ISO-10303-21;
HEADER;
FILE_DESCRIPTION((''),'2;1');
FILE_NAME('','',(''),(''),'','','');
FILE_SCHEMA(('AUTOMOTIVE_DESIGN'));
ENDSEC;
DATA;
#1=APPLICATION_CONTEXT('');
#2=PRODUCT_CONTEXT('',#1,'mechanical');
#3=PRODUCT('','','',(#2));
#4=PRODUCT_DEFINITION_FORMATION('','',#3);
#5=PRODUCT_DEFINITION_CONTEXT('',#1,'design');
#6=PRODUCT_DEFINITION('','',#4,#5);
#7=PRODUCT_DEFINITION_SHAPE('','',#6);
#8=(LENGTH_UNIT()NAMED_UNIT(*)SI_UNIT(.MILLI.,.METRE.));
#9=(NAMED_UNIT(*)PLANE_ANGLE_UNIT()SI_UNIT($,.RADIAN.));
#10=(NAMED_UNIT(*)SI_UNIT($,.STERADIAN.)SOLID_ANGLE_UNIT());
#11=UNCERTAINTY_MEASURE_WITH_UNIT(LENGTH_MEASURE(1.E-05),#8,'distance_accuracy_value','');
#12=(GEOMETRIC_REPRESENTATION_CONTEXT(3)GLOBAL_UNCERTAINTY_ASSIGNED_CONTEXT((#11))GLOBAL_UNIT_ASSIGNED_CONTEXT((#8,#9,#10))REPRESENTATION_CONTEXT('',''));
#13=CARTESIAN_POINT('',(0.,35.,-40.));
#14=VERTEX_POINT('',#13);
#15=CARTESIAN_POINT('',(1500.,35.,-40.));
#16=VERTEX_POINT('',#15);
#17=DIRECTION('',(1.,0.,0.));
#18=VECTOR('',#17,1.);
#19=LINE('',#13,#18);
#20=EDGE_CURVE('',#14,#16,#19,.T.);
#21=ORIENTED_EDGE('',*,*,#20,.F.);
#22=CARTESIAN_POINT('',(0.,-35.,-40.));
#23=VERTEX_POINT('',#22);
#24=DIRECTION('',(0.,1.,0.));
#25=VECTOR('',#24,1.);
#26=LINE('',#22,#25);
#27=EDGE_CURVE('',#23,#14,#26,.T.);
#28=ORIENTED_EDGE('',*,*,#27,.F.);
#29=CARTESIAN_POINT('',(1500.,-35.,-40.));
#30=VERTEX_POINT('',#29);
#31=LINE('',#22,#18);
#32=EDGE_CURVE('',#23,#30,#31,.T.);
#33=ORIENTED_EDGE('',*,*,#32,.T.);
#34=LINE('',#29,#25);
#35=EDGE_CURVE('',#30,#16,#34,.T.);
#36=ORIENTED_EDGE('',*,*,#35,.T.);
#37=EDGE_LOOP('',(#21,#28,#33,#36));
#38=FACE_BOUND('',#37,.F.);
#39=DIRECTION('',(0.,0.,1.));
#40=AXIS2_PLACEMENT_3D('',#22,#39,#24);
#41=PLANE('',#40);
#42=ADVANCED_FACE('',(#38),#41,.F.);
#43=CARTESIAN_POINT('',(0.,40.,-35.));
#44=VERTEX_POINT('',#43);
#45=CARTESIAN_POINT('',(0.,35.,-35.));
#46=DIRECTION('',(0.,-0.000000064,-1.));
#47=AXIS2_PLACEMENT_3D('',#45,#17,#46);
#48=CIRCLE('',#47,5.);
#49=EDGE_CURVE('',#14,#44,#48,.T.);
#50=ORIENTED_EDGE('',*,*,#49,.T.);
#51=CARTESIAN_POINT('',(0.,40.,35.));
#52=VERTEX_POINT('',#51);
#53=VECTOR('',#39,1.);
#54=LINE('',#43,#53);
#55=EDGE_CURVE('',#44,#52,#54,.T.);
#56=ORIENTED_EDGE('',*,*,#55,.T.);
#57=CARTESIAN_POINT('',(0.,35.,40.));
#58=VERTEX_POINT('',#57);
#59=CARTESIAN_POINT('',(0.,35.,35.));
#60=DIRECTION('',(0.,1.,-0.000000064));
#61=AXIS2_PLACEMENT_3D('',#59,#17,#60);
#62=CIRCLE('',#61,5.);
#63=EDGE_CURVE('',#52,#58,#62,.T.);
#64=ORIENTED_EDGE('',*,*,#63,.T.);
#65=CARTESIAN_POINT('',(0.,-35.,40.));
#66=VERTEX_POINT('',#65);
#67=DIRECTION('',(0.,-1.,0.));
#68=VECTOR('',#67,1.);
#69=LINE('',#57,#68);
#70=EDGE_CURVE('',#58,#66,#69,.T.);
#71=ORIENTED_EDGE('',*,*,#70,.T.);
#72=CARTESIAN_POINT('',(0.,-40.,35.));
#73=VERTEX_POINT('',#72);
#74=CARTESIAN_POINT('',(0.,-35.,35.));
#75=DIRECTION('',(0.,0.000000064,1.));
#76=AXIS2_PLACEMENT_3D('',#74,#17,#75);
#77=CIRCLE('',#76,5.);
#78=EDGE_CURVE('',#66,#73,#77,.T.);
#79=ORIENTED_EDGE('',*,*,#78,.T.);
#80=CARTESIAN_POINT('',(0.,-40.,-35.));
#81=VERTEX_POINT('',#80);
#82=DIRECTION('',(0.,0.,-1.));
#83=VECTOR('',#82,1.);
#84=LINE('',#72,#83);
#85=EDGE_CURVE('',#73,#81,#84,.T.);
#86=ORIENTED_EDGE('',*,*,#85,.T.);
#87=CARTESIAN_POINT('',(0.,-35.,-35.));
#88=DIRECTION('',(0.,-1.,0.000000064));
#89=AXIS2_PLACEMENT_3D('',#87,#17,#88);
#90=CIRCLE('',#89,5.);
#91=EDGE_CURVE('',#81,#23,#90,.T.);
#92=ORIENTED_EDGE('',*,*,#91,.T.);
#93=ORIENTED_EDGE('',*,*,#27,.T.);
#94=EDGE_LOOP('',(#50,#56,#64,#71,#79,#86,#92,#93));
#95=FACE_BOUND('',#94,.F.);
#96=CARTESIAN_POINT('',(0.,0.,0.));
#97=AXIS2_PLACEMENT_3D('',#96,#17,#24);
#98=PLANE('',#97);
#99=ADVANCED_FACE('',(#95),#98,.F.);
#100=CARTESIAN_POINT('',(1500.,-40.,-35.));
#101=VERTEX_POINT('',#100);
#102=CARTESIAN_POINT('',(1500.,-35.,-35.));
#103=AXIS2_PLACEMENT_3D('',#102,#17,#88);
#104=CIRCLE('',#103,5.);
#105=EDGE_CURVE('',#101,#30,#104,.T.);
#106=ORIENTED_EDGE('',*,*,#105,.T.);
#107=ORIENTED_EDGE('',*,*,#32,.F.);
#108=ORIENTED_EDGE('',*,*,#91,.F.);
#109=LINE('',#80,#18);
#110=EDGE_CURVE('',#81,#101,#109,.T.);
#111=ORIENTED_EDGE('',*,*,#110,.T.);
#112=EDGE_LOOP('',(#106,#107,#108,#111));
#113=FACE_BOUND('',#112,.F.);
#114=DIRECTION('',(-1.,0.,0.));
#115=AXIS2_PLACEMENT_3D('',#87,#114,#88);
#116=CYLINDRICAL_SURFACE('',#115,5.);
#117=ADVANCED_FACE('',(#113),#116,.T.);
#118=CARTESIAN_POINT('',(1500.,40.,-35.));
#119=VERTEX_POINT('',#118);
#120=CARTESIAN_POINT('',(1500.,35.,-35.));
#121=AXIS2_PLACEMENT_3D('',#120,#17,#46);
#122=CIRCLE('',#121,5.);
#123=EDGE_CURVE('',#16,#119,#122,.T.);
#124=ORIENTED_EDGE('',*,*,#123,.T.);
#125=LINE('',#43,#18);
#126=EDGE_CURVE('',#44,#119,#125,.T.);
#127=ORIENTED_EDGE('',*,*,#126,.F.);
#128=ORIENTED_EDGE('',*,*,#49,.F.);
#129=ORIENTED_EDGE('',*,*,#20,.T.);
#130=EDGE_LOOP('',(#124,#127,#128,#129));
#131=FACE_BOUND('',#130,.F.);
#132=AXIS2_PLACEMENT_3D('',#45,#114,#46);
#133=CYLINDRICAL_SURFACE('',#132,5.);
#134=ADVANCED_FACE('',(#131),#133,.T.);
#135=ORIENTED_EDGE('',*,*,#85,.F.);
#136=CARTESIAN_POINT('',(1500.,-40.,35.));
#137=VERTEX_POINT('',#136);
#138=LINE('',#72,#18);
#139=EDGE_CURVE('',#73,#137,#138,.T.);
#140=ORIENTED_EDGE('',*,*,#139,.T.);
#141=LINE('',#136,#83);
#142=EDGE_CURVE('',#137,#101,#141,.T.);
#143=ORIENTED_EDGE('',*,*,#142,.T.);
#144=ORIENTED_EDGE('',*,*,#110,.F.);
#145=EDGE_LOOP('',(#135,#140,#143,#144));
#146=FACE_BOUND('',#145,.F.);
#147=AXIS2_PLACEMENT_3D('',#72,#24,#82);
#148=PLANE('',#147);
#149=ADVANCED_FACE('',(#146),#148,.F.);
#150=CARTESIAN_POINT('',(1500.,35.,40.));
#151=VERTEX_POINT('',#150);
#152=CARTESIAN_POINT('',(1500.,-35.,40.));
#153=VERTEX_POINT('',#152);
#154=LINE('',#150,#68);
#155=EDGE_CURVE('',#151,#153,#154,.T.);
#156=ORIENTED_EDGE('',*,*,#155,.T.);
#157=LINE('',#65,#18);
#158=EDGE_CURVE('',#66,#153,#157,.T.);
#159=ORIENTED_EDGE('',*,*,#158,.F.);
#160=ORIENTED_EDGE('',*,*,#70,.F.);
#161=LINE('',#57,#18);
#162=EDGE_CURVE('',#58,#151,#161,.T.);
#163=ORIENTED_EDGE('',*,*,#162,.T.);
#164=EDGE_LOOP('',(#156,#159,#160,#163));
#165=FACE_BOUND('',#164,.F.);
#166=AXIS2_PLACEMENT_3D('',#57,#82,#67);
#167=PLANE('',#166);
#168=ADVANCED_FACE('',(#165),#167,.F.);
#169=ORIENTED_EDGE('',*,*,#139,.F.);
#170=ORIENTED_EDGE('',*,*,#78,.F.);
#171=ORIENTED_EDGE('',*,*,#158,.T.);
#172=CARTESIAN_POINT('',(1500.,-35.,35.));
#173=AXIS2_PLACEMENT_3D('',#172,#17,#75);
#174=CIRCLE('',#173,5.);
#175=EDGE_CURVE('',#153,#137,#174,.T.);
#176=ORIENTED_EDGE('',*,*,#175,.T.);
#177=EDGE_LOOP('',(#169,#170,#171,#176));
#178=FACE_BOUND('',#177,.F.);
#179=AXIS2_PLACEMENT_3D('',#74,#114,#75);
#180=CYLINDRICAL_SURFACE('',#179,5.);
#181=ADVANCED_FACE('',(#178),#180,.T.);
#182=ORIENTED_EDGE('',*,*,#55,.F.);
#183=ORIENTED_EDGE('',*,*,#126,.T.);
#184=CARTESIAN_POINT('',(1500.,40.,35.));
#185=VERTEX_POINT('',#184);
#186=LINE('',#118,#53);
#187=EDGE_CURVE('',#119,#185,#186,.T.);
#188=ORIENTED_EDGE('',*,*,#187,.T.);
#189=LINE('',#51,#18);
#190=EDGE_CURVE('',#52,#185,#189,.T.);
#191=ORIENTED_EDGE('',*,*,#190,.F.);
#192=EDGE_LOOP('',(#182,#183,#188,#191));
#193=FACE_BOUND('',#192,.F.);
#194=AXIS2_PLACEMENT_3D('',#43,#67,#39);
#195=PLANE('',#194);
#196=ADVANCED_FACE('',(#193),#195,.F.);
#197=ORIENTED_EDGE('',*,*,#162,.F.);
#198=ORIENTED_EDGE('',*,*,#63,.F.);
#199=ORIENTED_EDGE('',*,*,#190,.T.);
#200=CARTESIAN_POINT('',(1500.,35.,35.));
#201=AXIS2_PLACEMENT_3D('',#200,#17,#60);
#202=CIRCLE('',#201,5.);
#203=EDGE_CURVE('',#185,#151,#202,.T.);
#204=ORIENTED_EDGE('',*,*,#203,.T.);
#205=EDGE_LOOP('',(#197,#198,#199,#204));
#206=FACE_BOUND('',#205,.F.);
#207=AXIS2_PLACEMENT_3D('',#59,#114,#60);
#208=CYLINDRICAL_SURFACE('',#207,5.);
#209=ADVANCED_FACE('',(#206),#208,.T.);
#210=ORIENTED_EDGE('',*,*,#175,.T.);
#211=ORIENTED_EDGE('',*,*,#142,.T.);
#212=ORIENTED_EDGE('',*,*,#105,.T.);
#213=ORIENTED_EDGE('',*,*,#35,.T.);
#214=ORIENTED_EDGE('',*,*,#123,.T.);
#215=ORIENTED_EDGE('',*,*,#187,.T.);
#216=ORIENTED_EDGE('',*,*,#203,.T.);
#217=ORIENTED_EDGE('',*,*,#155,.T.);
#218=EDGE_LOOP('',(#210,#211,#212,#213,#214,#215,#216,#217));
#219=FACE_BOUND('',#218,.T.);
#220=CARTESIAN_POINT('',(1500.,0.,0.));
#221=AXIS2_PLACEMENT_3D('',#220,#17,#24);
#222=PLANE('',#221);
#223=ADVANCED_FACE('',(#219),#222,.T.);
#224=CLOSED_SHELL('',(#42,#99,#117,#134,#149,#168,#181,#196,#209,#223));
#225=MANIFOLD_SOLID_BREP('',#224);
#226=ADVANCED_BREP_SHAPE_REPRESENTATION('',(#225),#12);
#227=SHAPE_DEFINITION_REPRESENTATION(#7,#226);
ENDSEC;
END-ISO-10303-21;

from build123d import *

# Parameters (mm, degrees)
F1_DEPTH = 1500


with BuildPart() as f1:
    # F0 (on Right) → F1 (new body)
    with BuildSketch(Plane.YZ):
        with BuildLine():
            ThreePointArc((40, 35), (38.535534, 38.535534), (35, 40))
            Line((35, 40), (-35, 40))
            ThreePointArc((-35, 40), (-38.535534, 38.535534), (-40, 35))
            Line((-40, 35), (-40, -35))
            ThreePointArc((-40, -35), (-38.535534, -38.535534), (-35, -40))
            Line((-35, -40), (35, -40))
            ThreePointArc((35, -40), (38.535534, -38.535534), (40, -35))
            Line((40, -35), (40, 35))
        make_face()
    extrude(amount=F1_DEPTH)


solid = f1.part
